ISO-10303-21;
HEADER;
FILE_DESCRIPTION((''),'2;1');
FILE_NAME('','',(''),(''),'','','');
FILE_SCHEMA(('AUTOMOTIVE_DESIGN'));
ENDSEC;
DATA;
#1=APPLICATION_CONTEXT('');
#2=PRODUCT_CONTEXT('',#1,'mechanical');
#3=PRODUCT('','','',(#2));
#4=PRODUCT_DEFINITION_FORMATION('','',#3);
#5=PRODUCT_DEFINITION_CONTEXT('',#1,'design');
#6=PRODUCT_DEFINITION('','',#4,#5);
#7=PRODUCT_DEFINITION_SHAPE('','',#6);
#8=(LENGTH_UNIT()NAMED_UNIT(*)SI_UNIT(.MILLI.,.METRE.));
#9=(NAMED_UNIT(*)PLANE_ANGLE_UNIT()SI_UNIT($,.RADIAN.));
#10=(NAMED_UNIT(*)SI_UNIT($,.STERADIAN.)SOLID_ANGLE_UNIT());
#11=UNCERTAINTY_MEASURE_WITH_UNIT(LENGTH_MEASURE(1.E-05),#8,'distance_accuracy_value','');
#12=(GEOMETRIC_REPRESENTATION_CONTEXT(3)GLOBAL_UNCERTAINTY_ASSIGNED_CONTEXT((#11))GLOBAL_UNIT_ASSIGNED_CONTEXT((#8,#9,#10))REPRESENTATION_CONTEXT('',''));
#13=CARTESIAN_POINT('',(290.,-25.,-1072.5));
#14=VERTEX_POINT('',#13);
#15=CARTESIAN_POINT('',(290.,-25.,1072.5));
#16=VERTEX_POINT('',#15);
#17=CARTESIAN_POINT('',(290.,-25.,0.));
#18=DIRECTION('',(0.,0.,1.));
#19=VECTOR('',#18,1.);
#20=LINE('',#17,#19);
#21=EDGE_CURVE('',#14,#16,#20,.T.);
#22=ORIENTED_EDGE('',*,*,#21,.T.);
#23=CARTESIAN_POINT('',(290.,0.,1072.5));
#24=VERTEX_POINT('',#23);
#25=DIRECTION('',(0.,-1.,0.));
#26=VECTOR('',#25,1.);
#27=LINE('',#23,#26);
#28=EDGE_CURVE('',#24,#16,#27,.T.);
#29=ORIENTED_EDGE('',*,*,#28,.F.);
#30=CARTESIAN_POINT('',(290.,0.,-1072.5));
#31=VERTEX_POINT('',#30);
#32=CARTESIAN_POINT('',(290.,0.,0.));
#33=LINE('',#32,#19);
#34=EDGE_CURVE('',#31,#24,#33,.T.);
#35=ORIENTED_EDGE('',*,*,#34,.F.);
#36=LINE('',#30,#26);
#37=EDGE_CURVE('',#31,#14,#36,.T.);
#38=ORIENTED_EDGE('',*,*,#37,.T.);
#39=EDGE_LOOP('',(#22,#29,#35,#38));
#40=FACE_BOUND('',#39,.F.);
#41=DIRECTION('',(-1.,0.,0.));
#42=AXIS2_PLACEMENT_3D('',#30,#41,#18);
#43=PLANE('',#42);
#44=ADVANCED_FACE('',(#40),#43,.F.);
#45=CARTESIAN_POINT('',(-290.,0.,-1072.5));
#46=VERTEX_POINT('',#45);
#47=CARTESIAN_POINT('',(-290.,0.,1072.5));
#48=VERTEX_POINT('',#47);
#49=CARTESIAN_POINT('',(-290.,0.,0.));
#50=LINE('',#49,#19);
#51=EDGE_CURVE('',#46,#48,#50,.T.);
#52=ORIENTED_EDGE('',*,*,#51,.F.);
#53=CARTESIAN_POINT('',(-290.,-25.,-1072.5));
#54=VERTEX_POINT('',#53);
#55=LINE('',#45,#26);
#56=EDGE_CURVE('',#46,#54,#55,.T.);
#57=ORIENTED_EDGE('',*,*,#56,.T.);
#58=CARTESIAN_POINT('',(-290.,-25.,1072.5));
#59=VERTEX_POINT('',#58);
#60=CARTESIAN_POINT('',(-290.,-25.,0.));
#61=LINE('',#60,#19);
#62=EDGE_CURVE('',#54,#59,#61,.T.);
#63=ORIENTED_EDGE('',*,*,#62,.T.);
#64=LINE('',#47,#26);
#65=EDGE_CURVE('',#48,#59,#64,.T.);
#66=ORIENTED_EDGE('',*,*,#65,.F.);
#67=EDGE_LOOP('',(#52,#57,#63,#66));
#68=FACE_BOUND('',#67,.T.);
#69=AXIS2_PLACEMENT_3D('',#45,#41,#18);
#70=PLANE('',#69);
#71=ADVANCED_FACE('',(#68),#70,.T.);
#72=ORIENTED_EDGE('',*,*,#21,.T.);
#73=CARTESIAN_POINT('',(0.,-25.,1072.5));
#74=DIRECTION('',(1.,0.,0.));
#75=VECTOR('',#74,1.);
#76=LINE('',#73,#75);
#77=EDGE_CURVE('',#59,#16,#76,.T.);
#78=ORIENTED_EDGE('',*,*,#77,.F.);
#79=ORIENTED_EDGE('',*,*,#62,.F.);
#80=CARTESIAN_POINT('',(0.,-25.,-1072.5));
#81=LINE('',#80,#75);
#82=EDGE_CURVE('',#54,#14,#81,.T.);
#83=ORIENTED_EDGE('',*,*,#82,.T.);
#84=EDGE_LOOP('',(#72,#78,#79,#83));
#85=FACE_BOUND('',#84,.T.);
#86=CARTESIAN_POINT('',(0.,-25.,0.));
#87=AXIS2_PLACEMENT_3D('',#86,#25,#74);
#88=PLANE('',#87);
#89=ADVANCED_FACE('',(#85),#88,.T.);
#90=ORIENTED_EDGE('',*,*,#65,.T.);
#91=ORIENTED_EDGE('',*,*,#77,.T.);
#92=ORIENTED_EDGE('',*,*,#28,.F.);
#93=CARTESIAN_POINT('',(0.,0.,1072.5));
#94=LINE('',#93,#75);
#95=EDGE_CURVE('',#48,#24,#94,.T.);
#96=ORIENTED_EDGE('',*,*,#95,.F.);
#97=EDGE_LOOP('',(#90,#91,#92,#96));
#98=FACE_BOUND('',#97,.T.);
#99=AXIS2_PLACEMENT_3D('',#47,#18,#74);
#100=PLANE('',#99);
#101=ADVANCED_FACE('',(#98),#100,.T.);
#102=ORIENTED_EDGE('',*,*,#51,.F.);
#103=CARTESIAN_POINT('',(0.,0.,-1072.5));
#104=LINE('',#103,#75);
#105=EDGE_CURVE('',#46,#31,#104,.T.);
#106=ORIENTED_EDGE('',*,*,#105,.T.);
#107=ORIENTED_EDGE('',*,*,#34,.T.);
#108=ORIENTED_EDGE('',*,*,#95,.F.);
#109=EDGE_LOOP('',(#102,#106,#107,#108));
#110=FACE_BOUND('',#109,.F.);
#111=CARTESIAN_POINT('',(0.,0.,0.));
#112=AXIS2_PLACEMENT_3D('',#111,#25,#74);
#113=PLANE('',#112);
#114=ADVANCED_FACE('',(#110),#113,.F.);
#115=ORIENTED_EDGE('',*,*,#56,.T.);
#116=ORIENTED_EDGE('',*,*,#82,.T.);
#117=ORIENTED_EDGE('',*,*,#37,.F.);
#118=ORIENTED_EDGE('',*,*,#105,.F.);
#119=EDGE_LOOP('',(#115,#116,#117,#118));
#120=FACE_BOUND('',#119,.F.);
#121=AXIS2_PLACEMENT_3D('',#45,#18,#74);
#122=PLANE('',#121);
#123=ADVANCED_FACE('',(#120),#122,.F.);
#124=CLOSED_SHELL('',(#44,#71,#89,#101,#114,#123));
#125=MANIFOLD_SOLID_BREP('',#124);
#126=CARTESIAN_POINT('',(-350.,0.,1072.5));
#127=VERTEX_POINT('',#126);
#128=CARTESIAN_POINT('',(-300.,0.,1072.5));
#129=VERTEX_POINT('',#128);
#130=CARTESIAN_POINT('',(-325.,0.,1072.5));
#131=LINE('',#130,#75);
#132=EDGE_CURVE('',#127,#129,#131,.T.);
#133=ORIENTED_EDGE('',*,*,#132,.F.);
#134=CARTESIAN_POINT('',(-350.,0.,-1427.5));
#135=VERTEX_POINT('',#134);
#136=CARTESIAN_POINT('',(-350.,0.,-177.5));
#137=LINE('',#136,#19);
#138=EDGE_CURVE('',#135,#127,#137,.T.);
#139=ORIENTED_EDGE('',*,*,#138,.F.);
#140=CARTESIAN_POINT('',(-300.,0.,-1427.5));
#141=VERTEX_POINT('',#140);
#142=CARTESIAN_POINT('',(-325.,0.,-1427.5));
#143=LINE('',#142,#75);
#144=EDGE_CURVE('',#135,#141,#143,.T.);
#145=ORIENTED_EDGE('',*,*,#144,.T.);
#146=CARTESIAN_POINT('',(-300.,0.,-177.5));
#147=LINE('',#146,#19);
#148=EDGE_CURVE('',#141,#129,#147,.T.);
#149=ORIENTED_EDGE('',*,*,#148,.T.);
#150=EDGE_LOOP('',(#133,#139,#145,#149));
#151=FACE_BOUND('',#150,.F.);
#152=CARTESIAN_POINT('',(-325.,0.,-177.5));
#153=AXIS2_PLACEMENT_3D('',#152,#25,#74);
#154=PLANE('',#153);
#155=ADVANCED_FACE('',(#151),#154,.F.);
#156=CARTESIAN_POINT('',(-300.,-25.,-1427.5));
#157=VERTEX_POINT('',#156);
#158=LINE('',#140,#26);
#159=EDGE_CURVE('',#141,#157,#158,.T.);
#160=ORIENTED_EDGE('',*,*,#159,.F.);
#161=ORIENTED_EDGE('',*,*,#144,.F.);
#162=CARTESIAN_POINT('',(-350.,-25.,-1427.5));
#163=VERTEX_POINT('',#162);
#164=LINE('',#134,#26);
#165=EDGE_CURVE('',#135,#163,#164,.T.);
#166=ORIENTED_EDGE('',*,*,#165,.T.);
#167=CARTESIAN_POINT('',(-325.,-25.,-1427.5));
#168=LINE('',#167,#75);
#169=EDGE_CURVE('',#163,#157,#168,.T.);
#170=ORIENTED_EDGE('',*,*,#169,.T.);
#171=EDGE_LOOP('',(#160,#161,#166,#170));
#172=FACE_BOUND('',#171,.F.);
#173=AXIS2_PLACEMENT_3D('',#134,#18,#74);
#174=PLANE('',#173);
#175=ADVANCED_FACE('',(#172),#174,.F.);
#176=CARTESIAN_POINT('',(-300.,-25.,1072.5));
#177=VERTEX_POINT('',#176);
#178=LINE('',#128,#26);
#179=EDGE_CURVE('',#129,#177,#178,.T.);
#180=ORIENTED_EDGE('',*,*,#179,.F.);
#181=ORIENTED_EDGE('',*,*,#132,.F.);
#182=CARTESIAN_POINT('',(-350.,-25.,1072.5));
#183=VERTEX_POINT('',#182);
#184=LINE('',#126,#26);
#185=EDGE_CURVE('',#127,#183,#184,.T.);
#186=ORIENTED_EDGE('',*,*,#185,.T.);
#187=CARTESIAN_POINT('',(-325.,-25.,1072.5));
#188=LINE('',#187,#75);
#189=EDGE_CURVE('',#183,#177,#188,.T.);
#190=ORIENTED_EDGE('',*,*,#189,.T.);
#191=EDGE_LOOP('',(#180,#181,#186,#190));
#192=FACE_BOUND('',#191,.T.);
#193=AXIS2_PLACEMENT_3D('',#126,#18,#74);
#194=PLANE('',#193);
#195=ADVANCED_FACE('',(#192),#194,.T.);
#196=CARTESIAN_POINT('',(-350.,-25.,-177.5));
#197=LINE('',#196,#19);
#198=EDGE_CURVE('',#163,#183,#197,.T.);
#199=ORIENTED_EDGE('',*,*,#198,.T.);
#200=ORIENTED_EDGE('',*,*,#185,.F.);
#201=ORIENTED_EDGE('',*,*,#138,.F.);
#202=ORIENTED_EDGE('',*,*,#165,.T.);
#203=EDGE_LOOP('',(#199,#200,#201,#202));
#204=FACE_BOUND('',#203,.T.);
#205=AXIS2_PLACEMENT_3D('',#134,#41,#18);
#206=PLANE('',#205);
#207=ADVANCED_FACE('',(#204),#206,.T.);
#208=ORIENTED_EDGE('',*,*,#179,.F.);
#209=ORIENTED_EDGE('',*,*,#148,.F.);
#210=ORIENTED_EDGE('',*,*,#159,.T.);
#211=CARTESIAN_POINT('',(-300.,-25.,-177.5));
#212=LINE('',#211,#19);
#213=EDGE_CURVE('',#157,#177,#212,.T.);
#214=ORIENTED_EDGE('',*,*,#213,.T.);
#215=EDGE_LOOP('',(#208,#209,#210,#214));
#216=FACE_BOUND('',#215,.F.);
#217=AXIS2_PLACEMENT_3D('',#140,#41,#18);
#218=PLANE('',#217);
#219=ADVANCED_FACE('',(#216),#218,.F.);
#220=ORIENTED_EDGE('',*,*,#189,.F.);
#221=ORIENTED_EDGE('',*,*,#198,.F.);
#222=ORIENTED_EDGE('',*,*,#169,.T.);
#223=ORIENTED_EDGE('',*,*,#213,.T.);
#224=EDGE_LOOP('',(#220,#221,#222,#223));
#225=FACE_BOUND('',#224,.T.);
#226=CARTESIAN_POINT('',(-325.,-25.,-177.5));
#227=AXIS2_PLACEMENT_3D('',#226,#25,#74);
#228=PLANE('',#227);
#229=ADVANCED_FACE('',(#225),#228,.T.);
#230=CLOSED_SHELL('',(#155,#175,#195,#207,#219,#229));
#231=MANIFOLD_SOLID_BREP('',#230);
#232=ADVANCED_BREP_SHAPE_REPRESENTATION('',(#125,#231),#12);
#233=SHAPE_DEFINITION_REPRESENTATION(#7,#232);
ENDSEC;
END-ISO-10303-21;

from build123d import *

# Parameters (mm, degrees)
F0_W     = 580
F0_H     = 2145
F1_DEPTH = 25
F2_W     = 50
F2_H     = 2500
F3_DEPTH = 25


with BuildPart() as f1:
    # F0 (on Front) → F1 (new body)
    with BuildSketch(Plane.XZ):
        Rectangle(F0_W, F0_H)
    extrude(amount=F1_DEPTH)


with BuildPart() as f3:
    # F2 (on Front) → F3 (new body)
    with BuildSketch(Plane.XZ):
        with Locations((-325, -177.5)):
            Rectangle(F2_W, F2_H)
    extrude(amount=F3_DEPTH)


solid = Compound([f1.part, f3.part])
